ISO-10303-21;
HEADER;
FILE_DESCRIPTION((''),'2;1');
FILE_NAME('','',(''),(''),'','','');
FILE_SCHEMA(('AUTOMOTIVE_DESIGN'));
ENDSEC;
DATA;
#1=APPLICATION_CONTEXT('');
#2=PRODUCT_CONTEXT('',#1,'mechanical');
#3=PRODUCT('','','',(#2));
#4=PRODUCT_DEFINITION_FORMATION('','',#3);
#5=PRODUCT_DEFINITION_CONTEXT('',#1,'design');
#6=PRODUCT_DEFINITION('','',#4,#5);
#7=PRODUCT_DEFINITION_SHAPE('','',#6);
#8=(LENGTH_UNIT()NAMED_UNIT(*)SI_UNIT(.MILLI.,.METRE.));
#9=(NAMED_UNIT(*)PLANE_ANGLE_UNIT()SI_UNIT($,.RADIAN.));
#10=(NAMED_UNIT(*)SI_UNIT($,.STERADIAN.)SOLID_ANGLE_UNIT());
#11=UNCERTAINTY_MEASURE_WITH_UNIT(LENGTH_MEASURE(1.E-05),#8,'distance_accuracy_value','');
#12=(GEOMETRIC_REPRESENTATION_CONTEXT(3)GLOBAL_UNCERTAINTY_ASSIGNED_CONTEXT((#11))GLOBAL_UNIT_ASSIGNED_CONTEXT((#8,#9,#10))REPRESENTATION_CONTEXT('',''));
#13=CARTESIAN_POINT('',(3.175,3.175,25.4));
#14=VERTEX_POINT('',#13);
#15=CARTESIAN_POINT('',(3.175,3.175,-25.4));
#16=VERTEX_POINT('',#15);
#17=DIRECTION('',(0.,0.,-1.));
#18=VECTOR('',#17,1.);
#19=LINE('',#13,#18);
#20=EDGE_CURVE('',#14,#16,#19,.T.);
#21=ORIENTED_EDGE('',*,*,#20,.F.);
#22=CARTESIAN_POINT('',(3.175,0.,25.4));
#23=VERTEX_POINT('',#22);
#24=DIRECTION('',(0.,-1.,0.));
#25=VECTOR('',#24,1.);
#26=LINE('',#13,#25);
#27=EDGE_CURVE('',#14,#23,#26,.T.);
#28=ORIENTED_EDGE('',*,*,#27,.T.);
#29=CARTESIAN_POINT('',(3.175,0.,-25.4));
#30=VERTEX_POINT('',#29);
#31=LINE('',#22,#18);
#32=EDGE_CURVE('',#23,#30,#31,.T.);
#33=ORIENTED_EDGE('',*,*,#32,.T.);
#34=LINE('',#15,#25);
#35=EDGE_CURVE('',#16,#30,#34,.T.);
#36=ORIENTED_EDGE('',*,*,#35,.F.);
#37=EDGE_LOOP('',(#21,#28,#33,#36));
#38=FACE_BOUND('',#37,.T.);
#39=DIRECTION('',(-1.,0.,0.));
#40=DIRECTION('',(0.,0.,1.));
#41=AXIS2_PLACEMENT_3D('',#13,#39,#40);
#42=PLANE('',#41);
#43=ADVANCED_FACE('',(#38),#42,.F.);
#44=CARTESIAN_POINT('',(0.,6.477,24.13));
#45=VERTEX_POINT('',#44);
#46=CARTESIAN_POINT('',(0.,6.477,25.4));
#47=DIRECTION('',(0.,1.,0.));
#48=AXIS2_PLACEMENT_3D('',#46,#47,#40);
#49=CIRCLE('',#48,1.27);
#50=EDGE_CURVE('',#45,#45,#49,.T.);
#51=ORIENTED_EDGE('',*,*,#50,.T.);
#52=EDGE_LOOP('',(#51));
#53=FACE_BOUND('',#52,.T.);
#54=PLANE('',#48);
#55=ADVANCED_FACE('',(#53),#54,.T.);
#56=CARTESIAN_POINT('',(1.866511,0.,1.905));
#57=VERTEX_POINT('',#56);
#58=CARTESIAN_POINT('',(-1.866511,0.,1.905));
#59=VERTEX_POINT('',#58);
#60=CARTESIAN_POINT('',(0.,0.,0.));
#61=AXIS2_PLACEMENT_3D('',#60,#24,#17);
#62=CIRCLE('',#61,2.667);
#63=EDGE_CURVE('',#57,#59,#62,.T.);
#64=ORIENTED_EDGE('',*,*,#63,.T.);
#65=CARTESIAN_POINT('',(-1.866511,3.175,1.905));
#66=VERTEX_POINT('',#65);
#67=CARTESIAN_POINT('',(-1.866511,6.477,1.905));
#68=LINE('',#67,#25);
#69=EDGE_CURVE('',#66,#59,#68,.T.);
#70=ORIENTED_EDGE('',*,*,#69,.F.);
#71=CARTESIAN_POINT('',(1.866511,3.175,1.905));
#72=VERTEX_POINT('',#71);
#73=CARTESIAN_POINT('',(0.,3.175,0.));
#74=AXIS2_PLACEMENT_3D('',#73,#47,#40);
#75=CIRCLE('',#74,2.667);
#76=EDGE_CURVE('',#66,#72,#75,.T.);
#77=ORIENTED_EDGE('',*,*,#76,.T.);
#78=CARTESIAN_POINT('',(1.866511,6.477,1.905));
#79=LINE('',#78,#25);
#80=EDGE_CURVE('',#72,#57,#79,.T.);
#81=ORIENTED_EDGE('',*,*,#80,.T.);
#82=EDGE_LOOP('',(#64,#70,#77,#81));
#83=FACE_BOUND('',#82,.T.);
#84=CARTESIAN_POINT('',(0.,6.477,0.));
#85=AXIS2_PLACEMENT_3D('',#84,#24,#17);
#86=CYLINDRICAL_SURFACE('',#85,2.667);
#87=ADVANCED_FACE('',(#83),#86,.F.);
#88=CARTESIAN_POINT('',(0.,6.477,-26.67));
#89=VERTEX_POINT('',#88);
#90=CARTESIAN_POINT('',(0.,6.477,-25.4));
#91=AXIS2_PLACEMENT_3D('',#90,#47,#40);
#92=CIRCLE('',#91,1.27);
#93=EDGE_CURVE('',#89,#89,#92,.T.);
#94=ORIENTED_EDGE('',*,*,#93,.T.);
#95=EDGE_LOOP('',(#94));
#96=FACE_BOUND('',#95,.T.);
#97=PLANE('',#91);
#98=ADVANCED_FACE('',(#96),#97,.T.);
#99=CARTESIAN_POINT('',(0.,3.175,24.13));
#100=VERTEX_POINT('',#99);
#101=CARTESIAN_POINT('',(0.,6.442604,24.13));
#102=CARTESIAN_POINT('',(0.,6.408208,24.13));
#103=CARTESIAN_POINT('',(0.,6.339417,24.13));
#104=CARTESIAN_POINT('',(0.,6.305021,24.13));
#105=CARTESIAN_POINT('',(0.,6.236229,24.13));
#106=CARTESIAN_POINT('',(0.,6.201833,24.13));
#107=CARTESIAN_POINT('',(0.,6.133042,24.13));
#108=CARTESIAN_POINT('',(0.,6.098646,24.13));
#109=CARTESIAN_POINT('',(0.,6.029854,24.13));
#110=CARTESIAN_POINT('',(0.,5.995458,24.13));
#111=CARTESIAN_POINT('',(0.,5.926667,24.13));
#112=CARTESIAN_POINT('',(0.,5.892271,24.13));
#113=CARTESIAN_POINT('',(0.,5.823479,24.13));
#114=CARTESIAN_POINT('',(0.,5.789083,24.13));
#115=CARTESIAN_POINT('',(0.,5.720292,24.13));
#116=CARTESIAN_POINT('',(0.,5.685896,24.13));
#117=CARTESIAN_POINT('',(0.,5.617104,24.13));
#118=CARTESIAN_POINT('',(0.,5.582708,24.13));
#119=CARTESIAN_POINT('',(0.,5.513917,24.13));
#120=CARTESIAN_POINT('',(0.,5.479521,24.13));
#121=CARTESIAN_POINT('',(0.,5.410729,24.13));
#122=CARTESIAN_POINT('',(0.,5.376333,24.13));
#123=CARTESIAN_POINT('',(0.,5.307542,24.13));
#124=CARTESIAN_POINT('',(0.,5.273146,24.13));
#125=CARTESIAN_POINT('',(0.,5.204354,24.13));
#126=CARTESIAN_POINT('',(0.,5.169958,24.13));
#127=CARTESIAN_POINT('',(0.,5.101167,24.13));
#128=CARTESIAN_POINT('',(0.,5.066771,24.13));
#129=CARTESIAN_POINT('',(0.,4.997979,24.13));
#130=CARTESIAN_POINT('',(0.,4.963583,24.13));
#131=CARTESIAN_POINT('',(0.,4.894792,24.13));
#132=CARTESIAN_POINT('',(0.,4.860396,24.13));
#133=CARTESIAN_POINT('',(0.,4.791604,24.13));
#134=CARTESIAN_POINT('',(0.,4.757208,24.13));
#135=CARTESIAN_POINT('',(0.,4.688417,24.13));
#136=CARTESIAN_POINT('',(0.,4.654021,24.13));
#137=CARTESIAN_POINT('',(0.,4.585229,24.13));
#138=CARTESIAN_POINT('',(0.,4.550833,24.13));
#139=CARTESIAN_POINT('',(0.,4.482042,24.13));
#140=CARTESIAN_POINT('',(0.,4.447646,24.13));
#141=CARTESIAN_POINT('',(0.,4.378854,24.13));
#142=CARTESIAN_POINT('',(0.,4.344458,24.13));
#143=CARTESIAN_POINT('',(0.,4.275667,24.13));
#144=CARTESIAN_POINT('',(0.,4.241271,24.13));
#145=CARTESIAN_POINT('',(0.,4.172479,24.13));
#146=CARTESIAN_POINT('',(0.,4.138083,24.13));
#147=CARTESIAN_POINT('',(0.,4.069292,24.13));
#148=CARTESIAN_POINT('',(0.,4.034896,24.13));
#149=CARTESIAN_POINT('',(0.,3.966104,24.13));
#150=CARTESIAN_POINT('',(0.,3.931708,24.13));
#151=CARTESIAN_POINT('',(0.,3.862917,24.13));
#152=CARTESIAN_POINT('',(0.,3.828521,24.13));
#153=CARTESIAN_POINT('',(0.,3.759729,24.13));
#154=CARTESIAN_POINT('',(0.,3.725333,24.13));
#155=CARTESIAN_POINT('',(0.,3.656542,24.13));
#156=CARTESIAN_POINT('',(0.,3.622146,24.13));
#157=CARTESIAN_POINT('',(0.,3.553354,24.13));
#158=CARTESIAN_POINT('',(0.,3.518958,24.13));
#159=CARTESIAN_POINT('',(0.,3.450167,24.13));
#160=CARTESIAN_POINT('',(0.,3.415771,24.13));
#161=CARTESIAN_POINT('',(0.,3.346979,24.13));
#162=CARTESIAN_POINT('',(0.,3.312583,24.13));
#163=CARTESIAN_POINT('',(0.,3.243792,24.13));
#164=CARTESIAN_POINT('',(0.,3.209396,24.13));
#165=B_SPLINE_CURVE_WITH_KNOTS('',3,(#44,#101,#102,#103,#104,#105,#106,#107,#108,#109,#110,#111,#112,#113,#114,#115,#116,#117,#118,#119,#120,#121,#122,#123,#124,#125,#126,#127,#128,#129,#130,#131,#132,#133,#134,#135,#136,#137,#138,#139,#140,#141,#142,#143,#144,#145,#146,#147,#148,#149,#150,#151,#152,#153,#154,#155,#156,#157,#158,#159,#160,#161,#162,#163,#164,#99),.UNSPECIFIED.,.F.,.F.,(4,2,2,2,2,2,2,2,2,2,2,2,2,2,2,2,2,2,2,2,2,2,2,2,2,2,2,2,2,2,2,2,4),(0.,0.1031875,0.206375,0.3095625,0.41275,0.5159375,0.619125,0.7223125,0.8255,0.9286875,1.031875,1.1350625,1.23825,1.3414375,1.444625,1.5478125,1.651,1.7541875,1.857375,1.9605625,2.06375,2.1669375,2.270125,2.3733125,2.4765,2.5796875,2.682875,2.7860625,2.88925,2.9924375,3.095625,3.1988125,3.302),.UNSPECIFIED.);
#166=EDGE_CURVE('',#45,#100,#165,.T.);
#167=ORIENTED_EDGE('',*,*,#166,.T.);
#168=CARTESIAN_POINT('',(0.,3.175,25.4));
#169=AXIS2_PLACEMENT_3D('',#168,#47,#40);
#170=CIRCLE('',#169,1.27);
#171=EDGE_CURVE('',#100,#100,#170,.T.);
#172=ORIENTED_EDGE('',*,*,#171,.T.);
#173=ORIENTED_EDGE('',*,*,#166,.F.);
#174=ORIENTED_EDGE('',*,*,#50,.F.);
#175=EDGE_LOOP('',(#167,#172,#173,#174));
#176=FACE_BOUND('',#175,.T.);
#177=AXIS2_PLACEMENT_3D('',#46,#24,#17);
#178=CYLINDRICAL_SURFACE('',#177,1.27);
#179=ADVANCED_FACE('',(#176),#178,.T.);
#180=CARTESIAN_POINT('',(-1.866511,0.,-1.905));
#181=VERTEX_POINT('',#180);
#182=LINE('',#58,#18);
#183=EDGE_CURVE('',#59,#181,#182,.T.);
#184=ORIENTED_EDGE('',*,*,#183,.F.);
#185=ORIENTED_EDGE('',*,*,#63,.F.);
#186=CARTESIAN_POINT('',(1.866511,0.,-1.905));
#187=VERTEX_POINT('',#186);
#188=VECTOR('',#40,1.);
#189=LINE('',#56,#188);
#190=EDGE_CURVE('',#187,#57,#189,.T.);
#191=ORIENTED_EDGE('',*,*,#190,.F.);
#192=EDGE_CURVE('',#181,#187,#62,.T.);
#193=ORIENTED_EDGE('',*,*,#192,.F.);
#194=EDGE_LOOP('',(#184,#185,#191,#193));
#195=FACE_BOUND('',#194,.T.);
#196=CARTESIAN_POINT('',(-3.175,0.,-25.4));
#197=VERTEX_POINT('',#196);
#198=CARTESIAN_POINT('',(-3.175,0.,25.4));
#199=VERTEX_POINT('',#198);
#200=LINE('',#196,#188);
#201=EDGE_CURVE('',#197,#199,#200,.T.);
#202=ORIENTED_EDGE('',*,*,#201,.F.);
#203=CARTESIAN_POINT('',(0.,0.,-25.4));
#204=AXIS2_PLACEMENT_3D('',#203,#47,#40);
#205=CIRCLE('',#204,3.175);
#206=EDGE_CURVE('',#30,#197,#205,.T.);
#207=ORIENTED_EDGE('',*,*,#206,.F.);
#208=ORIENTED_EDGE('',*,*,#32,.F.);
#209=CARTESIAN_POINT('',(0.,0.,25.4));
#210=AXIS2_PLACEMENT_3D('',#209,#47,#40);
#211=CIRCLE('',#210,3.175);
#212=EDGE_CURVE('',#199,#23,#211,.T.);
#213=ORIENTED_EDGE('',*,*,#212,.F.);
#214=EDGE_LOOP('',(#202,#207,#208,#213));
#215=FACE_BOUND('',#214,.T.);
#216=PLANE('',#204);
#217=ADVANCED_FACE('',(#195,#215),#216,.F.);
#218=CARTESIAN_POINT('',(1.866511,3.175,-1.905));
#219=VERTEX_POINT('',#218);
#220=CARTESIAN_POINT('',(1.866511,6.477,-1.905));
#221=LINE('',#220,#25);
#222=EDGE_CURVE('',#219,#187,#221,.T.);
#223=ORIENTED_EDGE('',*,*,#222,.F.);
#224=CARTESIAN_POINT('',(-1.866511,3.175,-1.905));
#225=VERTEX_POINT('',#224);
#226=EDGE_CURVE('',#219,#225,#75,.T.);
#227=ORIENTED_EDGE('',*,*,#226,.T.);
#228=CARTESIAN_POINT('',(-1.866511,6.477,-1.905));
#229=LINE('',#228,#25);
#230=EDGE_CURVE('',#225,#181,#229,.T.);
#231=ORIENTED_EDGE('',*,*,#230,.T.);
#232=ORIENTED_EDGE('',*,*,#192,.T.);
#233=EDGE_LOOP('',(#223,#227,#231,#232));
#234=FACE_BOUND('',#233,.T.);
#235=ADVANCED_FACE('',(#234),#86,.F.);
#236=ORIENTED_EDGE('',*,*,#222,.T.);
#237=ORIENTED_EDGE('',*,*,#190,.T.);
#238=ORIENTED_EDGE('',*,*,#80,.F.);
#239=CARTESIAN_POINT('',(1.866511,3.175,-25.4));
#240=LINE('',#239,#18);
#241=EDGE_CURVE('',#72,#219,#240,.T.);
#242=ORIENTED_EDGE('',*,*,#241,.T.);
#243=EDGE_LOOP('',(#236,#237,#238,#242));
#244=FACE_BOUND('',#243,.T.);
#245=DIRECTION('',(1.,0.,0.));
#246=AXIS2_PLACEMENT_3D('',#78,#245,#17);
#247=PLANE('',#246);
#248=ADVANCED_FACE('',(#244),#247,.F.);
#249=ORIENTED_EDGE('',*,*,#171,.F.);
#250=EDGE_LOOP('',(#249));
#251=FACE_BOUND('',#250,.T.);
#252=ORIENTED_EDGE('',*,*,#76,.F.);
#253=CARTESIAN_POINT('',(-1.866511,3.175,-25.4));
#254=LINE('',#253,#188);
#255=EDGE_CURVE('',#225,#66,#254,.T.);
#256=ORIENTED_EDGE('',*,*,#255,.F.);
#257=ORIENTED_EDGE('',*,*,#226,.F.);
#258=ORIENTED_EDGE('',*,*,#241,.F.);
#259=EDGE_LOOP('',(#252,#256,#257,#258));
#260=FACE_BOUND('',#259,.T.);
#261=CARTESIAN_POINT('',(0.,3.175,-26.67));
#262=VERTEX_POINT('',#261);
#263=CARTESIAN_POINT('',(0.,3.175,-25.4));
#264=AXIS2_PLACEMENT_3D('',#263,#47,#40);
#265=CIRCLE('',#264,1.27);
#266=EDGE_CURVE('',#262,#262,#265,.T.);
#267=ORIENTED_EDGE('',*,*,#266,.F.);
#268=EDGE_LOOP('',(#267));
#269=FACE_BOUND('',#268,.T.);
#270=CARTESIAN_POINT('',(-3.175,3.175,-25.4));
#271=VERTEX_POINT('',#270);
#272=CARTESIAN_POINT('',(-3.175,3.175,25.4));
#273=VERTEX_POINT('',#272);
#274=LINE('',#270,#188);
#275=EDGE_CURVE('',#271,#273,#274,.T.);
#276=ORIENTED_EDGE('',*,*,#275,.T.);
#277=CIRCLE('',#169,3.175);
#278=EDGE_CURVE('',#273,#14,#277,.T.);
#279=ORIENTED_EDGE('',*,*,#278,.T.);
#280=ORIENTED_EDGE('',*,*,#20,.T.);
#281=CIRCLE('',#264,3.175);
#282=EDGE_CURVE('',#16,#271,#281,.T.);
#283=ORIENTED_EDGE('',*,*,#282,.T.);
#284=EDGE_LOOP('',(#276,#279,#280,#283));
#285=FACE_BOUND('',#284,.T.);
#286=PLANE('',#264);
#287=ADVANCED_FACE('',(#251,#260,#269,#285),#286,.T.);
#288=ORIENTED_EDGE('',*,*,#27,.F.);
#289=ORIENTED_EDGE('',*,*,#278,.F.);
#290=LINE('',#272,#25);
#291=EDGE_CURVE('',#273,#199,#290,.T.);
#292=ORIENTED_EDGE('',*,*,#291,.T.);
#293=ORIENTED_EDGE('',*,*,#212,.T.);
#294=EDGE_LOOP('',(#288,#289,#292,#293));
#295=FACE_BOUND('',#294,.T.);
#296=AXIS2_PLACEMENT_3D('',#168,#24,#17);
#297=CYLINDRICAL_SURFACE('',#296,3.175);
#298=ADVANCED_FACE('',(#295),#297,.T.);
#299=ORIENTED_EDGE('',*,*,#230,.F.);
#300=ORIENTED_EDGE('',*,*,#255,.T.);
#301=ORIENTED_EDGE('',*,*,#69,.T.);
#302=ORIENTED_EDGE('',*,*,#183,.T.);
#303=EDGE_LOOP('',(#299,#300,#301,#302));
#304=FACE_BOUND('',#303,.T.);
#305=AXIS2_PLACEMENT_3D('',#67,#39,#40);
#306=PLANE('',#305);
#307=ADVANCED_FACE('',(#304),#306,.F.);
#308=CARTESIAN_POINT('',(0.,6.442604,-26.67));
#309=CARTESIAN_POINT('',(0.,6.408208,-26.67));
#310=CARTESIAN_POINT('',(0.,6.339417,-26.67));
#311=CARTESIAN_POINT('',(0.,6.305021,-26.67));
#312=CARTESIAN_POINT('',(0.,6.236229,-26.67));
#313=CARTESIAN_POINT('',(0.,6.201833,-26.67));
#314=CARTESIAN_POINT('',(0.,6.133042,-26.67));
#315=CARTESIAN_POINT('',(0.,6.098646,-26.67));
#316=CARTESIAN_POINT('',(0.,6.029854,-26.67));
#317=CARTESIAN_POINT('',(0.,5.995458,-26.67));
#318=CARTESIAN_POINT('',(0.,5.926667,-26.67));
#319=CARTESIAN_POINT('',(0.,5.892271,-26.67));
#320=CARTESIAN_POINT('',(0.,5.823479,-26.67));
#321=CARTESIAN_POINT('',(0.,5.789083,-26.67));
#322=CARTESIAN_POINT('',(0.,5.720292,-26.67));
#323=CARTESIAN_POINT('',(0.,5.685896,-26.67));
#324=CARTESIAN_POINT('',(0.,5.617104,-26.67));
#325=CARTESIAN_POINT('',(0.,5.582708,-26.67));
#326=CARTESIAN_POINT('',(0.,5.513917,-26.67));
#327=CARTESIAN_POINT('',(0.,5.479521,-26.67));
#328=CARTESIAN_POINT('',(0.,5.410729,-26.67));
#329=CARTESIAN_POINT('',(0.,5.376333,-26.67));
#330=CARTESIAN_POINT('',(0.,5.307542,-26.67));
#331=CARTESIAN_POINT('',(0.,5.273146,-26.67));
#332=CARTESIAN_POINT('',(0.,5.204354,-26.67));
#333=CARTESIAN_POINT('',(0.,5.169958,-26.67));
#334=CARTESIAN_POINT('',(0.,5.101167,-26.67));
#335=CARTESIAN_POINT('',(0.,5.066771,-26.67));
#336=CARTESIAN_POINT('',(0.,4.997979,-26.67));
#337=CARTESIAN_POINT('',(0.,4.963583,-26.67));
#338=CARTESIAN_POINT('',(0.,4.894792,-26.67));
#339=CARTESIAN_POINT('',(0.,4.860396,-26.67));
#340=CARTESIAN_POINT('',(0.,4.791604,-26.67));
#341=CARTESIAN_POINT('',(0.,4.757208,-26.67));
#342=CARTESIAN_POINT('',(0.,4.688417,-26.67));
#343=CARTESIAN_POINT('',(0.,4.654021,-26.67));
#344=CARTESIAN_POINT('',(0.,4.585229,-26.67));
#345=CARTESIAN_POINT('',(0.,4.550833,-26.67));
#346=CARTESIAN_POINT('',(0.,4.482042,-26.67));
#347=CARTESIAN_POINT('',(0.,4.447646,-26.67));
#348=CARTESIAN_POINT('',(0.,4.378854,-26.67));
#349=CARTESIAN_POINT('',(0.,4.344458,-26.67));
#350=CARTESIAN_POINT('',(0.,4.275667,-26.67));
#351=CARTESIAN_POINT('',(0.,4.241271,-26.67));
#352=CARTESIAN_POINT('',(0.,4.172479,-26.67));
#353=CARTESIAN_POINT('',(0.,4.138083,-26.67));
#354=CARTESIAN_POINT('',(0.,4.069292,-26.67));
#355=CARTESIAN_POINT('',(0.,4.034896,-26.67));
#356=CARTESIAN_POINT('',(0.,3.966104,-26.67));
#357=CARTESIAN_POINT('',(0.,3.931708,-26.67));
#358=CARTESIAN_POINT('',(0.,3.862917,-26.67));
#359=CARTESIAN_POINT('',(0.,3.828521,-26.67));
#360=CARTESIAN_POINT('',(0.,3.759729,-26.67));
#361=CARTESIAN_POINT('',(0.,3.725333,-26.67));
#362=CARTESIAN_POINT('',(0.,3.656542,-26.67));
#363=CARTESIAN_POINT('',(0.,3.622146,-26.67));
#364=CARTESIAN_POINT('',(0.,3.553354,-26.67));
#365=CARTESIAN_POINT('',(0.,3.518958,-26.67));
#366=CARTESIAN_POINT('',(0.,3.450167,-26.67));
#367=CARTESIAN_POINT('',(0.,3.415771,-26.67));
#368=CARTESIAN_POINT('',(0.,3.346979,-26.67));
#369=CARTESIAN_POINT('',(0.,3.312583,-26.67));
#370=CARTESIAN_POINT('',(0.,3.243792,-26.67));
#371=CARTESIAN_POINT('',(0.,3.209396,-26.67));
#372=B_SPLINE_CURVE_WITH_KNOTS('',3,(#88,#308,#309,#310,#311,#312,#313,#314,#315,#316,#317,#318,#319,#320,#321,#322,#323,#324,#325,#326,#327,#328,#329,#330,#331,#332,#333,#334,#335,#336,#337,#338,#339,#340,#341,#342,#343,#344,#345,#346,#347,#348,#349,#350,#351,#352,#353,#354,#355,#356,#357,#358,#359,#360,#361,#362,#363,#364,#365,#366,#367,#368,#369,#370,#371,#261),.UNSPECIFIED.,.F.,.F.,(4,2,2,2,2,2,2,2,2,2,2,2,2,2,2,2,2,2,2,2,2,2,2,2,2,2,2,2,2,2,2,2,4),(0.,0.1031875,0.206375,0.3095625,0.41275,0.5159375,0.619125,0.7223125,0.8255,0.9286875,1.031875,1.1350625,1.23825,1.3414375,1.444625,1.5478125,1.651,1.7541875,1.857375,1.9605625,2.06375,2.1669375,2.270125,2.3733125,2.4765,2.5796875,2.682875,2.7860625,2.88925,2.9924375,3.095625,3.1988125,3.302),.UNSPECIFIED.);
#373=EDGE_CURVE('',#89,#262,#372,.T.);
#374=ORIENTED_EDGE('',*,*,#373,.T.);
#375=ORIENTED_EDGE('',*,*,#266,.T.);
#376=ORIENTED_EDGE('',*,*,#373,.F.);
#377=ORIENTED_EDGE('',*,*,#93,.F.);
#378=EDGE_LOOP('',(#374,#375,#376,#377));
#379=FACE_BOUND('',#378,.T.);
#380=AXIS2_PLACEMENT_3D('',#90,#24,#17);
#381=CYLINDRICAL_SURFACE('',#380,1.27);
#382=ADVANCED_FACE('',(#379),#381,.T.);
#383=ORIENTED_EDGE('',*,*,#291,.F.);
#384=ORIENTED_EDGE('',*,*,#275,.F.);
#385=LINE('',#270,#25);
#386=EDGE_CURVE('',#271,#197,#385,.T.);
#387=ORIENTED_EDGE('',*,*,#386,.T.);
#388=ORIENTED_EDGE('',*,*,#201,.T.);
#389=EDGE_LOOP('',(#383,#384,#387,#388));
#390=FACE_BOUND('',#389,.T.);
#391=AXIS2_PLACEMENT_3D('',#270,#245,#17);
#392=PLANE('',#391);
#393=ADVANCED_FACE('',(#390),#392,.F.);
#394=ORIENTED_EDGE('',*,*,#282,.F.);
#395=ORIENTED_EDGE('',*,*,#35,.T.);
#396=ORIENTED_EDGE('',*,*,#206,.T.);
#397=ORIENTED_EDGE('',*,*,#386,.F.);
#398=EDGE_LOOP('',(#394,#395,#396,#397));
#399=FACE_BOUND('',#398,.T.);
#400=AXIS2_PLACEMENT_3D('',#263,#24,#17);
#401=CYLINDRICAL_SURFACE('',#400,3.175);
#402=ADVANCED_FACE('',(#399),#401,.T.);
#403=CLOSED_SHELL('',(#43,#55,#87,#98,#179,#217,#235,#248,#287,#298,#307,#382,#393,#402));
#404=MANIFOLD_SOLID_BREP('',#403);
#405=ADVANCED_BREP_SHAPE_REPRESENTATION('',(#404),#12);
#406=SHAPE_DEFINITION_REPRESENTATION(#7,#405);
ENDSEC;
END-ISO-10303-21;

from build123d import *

# Parameters (mm, degrees)
BOSS_EXTRUDE5_DEPTH = 3.175
SKETCH8_R           = 1.27
BOSS_EXTRUDE6_DEPTH = 3.302
CUT_EXTRUDE3_DEPTH  = 30.47138916


with BuildPart() as part:
    # Sketch7 → Boss-Extrude5 (new body)
    with BuildSketch(Plane(origin=(0, 0, 0), x_dir=(1, 0, 0), z_dir=(0, 1, 0))):
        with BuildLine():
            Line((-3.175, 25.4), (-3.175, -25.4))
            ThreePointArc((-3.175, -25.4), (0, -28.575), (3.175, -25.4))
            Line((3.175, -25.4), (3.175, 25.4))
            ThreePointArc((3.175, 25.4), (0, 28.575), (-3.175, 25.4))
        make_face()
    extrude(amount=BOSS_EXTRUDE5_DEPTH)

    # Sketch8 → Boss-Extrude6 (add)
    with BuildSketch(Plane(origin=(0, 3.175, 0), x_dir=(1, 0, 0), z_dir=(0, 1, 0))):
        with Locations(Location((0, 25.4, 0), (0, 0, 90))):
            Circle(SKETCH8_R)
        with Locations(Location((0, -25.4, 0), (0, 0, 90))):
            Circle(SKETCH8_R)
    extrude(amount=BOSS_EXTRUDE6_DEPTH)

    # Sketch9 → Cut-Extrude3 (cut, through all)
    with BuildSketch(Plane.XZ):
        with BuildLine():
            Line((-1.866511184, 1.905), (-1.866511184, -1.905))
            ThreePointArc((-1.866511184, -1.905), (0, -2.667), (1.866511184, -1.905))
            Line((1.866511184, -1.905), (1.866511184, 1.905))
            ThreePointArc((1.866511184, 1.905), (0, 2.667), (-1.866511184, 1.905))
        make_face()
    extrude(amount=-CUT_EXTRUDE3_DEPTH, mode=Mode.SUBTRACT)


solid = part.part
